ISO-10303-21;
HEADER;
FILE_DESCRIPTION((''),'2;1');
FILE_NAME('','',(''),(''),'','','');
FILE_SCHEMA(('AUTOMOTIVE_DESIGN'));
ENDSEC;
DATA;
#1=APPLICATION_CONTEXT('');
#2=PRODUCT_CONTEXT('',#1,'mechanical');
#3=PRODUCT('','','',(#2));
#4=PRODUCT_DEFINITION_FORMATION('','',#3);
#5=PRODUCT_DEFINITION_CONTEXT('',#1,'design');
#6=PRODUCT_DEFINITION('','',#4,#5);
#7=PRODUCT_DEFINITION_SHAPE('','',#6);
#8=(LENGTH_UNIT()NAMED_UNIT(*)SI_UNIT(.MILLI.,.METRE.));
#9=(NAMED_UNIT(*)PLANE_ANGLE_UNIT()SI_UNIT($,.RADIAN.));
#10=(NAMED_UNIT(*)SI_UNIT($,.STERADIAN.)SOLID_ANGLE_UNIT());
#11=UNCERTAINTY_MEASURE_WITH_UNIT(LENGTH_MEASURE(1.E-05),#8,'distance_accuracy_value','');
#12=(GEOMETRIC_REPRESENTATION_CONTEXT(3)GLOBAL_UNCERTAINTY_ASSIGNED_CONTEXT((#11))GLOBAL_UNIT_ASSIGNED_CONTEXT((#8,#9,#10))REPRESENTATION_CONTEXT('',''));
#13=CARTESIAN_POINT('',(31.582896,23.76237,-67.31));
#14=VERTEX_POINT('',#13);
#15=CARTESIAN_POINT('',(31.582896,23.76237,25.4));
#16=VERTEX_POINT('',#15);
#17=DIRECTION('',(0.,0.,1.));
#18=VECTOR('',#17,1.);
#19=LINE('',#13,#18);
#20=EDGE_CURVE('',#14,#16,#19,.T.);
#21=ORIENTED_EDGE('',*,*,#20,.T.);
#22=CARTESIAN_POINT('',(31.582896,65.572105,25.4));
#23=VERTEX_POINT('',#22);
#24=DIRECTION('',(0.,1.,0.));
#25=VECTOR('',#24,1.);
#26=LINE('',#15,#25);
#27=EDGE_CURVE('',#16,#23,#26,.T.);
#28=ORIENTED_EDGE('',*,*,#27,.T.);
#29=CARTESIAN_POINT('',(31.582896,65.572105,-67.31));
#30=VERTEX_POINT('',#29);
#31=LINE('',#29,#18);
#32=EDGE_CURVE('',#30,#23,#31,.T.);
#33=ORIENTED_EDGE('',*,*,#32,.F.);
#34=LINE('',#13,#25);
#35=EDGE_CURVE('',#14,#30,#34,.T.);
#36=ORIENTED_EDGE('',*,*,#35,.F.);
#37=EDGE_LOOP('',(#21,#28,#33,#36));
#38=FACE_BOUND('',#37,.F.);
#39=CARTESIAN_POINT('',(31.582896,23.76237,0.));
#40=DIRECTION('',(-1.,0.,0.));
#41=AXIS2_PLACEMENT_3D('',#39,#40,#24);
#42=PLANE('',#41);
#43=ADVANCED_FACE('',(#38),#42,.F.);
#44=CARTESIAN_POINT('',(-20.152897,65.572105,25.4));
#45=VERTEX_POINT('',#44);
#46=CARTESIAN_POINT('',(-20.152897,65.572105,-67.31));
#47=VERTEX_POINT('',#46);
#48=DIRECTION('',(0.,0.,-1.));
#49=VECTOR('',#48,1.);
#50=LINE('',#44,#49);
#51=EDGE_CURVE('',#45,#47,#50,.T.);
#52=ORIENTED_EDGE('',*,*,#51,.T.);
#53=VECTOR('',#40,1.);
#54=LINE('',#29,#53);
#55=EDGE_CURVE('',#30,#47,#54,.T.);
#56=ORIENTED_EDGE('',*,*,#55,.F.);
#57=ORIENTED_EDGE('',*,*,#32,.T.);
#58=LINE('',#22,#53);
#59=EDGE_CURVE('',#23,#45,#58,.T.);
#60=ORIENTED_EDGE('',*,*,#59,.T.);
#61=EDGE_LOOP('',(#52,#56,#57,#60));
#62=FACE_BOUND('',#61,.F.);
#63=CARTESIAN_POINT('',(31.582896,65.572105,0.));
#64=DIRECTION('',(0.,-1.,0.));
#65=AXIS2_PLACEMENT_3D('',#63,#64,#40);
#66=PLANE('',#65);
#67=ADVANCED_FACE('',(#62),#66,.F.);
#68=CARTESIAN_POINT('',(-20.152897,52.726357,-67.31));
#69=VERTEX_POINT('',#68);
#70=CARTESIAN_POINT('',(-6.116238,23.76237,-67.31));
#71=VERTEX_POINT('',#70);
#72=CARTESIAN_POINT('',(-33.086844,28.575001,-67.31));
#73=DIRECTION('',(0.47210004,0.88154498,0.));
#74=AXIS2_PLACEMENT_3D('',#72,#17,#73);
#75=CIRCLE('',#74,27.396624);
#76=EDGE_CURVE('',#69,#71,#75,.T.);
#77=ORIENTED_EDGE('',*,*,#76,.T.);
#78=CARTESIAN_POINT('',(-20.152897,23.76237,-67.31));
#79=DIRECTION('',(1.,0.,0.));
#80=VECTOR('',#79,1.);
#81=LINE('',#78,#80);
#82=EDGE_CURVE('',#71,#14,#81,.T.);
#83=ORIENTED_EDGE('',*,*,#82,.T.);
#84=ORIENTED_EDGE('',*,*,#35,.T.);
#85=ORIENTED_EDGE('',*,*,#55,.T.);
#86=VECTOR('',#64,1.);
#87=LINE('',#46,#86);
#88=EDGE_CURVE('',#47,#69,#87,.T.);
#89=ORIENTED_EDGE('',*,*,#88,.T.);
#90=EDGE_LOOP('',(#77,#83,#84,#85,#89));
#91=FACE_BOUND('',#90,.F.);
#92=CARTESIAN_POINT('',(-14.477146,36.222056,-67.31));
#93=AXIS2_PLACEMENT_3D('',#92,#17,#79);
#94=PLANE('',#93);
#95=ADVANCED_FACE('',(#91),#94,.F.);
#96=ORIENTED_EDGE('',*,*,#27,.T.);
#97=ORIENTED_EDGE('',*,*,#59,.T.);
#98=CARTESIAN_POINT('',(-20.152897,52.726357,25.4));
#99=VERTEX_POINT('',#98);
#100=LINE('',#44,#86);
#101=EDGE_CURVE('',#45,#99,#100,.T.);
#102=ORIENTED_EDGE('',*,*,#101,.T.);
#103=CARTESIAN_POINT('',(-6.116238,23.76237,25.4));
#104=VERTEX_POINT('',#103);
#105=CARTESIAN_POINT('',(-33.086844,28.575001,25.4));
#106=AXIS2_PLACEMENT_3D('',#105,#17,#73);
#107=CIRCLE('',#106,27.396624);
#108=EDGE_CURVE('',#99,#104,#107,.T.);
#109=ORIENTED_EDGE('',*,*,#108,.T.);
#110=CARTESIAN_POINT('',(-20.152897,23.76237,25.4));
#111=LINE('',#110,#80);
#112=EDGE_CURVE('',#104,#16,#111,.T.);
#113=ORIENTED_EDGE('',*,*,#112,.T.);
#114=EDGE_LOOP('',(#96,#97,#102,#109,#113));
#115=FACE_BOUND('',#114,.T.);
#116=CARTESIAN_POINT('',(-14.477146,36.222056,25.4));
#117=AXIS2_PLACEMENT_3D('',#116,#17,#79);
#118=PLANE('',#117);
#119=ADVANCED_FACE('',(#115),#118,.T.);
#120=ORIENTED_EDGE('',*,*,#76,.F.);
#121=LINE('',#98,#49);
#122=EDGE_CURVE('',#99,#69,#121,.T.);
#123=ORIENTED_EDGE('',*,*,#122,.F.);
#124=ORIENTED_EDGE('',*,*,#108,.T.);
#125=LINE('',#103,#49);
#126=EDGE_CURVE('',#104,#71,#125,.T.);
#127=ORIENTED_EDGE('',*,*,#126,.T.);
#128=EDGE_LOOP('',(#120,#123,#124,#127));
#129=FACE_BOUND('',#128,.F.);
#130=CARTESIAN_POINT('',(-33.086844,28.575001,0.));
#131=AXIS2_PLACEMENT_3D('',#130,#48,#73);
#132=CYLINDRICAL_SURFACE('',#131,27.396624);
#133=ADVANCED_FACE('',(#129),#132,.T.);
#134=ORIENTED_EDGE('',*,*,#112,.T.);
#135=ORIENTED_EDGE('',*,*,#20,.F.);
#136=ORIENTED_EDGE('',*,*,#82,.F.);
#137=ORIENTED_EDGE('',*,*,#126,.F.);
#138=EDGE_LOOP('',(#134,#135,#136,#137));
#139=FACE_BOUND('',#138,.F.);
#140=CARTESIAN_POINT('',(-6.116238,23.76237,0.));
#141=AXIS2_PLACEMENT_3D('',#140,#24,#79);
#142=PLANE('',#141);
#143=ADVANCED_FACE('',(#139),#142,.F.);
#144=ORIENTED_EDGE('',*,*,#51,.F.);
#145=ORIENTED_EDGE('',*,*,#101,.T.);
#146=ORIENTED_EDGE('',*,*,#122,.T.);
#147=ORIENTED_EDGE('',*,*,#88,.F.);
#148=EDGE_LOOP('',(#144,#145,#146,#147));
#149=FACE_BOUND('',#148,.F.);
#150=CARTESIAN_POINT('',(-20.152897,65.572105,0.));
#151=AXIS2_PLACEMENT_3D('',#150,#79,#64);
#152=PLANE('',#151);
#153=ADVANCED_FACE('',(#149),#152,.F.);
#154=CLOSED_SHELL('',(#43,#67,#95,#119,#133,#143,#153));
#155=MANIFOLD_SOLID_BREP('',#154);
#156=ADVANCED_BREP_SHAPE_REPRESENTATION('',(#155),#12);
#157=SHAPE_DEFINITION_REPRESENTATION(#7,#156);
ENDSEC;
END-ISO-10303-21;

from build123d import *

# Parameters (mm, degrees)
F1_DEPTH = 67.31
F2_DEPTH = 25.4


with BuildPart() as f1:
    # F0 (on Top) → F1 (new body)
    with BuildSketch(Plane.XY):
        with BuildLine():
            ThreePointArc((-6.1162381901, 23.7623695284), (-5.7969324328, 26.1592759352), (-5.6902200774, 28.5750012845))
            ThreePointArc((-5.6902200774, 28.5750012845), (-9.5823604521, 42.6503078125), (-20.1528966427, 52.7263573954))
            Line((-20.1528966427, 52.7263573954), (-20.1528966427, 23.7623695284))
            Line((-20.1528966427, 23.7623695284), (-6.1162381901, 23.7623695284))
        make_face()
        with BuildLine():
            ThreePointArc((-20.1528966427, 52.7263573954), (-9.5823604521, 42.6503078125), (-5.6902200774, 28.5750012845))
            ThreePointArc((-5.6902200774, 28.5750012845), (-5.7969324328, 26.1592759352), (-6.1162381901, 23.7623695284))
            Line((-6.1162381901, 23.7623695284), (31.5828956664, 23.7623695284))
            Line((31.5828956664, 23.7623695284), (31.5828956664, 65.5721053481))
            Line((31.5828956664, 65.5721053481), (-20.1528966427, 65.5721053481))
            Line((-20.1528966427, 65.5721053481), (-20.1528966427, 52.7263573954))
        make_face()
        with BuildLine():
            Line((-20.1528966427, 23.7623695284), (-20.1528966427, 52.7263573954))
            ThreePointArc((-20.1528966427, 52.7263573954), (-57.7408795784, 16.6270512491), (-6.1162381901, 23.7623695284))
            Line((-6.1162381901, 23.7623695284), (-20.1528966427, 23.7623695284))
        make_face()
    extrude(amount=-F1_DEPTH)

    # F0 (on Top) → F2 (join)
    with BuildSketch(Plane.XY):
        with BuildLine():
            ThreePointArc((-6.1162381901, 23.7623695284), (-5.7969324328, 26.1592759352), (-5.6902200774, 28.5750012845))
            ThreePointArc((-5.6902200774, 28.5750012845), (-9.5823604521, 42.6503078125), (-20.1528966427, 52.7263573954))
            Line((-20.1528966427, 52.7263573954), (-20.1528966427, 23.7623695284))
            Line((-20.1528966427, 23.7623695284), (-6.1162381901, 23.7623695284))
        make_face()
        with BuildLine():
            ThreePointArc((-20.1528966427, 52.7263573954), (-9.5823604521, 42.6503078125), (-5.6902200774, 28.5750012845))
            ThreePointArc((-5.6902200774, 28.5750012845), (-5.7969324328, 26.1592759352), (-6.1162381901, 23.7623695284))
            Line((-6.1162381901, 23.7623695284), (31.5828956664, 23.7623695284))
            Line((31.5828956664, 23.7623695284), (31.5828956664, 65.5721053481))
            Line((31.5828956664, 65.5721053481), (-20.1528966427, 65.5721053481))
            Line((-20.1528966427, 65.5721053481), (-20.1528966427, 52.7263573954))
        make_face()
        with BuildLine():
            Line((-20.1528966427, 23.7623695284), (-20.1528966427, 52.7263573954))
            ThreePointArc((-20.1528966427, 52.7263573954), (-57.7408795784, 16.6270512491), (-6.1162381901, 23.7623695284))
            Line((-6.1162381901, 23.7623695284), (-20.1528966427, 23.7623695284))
        make_face()
    extrude(amount=F2_DEPTH)


solid = f1.part
